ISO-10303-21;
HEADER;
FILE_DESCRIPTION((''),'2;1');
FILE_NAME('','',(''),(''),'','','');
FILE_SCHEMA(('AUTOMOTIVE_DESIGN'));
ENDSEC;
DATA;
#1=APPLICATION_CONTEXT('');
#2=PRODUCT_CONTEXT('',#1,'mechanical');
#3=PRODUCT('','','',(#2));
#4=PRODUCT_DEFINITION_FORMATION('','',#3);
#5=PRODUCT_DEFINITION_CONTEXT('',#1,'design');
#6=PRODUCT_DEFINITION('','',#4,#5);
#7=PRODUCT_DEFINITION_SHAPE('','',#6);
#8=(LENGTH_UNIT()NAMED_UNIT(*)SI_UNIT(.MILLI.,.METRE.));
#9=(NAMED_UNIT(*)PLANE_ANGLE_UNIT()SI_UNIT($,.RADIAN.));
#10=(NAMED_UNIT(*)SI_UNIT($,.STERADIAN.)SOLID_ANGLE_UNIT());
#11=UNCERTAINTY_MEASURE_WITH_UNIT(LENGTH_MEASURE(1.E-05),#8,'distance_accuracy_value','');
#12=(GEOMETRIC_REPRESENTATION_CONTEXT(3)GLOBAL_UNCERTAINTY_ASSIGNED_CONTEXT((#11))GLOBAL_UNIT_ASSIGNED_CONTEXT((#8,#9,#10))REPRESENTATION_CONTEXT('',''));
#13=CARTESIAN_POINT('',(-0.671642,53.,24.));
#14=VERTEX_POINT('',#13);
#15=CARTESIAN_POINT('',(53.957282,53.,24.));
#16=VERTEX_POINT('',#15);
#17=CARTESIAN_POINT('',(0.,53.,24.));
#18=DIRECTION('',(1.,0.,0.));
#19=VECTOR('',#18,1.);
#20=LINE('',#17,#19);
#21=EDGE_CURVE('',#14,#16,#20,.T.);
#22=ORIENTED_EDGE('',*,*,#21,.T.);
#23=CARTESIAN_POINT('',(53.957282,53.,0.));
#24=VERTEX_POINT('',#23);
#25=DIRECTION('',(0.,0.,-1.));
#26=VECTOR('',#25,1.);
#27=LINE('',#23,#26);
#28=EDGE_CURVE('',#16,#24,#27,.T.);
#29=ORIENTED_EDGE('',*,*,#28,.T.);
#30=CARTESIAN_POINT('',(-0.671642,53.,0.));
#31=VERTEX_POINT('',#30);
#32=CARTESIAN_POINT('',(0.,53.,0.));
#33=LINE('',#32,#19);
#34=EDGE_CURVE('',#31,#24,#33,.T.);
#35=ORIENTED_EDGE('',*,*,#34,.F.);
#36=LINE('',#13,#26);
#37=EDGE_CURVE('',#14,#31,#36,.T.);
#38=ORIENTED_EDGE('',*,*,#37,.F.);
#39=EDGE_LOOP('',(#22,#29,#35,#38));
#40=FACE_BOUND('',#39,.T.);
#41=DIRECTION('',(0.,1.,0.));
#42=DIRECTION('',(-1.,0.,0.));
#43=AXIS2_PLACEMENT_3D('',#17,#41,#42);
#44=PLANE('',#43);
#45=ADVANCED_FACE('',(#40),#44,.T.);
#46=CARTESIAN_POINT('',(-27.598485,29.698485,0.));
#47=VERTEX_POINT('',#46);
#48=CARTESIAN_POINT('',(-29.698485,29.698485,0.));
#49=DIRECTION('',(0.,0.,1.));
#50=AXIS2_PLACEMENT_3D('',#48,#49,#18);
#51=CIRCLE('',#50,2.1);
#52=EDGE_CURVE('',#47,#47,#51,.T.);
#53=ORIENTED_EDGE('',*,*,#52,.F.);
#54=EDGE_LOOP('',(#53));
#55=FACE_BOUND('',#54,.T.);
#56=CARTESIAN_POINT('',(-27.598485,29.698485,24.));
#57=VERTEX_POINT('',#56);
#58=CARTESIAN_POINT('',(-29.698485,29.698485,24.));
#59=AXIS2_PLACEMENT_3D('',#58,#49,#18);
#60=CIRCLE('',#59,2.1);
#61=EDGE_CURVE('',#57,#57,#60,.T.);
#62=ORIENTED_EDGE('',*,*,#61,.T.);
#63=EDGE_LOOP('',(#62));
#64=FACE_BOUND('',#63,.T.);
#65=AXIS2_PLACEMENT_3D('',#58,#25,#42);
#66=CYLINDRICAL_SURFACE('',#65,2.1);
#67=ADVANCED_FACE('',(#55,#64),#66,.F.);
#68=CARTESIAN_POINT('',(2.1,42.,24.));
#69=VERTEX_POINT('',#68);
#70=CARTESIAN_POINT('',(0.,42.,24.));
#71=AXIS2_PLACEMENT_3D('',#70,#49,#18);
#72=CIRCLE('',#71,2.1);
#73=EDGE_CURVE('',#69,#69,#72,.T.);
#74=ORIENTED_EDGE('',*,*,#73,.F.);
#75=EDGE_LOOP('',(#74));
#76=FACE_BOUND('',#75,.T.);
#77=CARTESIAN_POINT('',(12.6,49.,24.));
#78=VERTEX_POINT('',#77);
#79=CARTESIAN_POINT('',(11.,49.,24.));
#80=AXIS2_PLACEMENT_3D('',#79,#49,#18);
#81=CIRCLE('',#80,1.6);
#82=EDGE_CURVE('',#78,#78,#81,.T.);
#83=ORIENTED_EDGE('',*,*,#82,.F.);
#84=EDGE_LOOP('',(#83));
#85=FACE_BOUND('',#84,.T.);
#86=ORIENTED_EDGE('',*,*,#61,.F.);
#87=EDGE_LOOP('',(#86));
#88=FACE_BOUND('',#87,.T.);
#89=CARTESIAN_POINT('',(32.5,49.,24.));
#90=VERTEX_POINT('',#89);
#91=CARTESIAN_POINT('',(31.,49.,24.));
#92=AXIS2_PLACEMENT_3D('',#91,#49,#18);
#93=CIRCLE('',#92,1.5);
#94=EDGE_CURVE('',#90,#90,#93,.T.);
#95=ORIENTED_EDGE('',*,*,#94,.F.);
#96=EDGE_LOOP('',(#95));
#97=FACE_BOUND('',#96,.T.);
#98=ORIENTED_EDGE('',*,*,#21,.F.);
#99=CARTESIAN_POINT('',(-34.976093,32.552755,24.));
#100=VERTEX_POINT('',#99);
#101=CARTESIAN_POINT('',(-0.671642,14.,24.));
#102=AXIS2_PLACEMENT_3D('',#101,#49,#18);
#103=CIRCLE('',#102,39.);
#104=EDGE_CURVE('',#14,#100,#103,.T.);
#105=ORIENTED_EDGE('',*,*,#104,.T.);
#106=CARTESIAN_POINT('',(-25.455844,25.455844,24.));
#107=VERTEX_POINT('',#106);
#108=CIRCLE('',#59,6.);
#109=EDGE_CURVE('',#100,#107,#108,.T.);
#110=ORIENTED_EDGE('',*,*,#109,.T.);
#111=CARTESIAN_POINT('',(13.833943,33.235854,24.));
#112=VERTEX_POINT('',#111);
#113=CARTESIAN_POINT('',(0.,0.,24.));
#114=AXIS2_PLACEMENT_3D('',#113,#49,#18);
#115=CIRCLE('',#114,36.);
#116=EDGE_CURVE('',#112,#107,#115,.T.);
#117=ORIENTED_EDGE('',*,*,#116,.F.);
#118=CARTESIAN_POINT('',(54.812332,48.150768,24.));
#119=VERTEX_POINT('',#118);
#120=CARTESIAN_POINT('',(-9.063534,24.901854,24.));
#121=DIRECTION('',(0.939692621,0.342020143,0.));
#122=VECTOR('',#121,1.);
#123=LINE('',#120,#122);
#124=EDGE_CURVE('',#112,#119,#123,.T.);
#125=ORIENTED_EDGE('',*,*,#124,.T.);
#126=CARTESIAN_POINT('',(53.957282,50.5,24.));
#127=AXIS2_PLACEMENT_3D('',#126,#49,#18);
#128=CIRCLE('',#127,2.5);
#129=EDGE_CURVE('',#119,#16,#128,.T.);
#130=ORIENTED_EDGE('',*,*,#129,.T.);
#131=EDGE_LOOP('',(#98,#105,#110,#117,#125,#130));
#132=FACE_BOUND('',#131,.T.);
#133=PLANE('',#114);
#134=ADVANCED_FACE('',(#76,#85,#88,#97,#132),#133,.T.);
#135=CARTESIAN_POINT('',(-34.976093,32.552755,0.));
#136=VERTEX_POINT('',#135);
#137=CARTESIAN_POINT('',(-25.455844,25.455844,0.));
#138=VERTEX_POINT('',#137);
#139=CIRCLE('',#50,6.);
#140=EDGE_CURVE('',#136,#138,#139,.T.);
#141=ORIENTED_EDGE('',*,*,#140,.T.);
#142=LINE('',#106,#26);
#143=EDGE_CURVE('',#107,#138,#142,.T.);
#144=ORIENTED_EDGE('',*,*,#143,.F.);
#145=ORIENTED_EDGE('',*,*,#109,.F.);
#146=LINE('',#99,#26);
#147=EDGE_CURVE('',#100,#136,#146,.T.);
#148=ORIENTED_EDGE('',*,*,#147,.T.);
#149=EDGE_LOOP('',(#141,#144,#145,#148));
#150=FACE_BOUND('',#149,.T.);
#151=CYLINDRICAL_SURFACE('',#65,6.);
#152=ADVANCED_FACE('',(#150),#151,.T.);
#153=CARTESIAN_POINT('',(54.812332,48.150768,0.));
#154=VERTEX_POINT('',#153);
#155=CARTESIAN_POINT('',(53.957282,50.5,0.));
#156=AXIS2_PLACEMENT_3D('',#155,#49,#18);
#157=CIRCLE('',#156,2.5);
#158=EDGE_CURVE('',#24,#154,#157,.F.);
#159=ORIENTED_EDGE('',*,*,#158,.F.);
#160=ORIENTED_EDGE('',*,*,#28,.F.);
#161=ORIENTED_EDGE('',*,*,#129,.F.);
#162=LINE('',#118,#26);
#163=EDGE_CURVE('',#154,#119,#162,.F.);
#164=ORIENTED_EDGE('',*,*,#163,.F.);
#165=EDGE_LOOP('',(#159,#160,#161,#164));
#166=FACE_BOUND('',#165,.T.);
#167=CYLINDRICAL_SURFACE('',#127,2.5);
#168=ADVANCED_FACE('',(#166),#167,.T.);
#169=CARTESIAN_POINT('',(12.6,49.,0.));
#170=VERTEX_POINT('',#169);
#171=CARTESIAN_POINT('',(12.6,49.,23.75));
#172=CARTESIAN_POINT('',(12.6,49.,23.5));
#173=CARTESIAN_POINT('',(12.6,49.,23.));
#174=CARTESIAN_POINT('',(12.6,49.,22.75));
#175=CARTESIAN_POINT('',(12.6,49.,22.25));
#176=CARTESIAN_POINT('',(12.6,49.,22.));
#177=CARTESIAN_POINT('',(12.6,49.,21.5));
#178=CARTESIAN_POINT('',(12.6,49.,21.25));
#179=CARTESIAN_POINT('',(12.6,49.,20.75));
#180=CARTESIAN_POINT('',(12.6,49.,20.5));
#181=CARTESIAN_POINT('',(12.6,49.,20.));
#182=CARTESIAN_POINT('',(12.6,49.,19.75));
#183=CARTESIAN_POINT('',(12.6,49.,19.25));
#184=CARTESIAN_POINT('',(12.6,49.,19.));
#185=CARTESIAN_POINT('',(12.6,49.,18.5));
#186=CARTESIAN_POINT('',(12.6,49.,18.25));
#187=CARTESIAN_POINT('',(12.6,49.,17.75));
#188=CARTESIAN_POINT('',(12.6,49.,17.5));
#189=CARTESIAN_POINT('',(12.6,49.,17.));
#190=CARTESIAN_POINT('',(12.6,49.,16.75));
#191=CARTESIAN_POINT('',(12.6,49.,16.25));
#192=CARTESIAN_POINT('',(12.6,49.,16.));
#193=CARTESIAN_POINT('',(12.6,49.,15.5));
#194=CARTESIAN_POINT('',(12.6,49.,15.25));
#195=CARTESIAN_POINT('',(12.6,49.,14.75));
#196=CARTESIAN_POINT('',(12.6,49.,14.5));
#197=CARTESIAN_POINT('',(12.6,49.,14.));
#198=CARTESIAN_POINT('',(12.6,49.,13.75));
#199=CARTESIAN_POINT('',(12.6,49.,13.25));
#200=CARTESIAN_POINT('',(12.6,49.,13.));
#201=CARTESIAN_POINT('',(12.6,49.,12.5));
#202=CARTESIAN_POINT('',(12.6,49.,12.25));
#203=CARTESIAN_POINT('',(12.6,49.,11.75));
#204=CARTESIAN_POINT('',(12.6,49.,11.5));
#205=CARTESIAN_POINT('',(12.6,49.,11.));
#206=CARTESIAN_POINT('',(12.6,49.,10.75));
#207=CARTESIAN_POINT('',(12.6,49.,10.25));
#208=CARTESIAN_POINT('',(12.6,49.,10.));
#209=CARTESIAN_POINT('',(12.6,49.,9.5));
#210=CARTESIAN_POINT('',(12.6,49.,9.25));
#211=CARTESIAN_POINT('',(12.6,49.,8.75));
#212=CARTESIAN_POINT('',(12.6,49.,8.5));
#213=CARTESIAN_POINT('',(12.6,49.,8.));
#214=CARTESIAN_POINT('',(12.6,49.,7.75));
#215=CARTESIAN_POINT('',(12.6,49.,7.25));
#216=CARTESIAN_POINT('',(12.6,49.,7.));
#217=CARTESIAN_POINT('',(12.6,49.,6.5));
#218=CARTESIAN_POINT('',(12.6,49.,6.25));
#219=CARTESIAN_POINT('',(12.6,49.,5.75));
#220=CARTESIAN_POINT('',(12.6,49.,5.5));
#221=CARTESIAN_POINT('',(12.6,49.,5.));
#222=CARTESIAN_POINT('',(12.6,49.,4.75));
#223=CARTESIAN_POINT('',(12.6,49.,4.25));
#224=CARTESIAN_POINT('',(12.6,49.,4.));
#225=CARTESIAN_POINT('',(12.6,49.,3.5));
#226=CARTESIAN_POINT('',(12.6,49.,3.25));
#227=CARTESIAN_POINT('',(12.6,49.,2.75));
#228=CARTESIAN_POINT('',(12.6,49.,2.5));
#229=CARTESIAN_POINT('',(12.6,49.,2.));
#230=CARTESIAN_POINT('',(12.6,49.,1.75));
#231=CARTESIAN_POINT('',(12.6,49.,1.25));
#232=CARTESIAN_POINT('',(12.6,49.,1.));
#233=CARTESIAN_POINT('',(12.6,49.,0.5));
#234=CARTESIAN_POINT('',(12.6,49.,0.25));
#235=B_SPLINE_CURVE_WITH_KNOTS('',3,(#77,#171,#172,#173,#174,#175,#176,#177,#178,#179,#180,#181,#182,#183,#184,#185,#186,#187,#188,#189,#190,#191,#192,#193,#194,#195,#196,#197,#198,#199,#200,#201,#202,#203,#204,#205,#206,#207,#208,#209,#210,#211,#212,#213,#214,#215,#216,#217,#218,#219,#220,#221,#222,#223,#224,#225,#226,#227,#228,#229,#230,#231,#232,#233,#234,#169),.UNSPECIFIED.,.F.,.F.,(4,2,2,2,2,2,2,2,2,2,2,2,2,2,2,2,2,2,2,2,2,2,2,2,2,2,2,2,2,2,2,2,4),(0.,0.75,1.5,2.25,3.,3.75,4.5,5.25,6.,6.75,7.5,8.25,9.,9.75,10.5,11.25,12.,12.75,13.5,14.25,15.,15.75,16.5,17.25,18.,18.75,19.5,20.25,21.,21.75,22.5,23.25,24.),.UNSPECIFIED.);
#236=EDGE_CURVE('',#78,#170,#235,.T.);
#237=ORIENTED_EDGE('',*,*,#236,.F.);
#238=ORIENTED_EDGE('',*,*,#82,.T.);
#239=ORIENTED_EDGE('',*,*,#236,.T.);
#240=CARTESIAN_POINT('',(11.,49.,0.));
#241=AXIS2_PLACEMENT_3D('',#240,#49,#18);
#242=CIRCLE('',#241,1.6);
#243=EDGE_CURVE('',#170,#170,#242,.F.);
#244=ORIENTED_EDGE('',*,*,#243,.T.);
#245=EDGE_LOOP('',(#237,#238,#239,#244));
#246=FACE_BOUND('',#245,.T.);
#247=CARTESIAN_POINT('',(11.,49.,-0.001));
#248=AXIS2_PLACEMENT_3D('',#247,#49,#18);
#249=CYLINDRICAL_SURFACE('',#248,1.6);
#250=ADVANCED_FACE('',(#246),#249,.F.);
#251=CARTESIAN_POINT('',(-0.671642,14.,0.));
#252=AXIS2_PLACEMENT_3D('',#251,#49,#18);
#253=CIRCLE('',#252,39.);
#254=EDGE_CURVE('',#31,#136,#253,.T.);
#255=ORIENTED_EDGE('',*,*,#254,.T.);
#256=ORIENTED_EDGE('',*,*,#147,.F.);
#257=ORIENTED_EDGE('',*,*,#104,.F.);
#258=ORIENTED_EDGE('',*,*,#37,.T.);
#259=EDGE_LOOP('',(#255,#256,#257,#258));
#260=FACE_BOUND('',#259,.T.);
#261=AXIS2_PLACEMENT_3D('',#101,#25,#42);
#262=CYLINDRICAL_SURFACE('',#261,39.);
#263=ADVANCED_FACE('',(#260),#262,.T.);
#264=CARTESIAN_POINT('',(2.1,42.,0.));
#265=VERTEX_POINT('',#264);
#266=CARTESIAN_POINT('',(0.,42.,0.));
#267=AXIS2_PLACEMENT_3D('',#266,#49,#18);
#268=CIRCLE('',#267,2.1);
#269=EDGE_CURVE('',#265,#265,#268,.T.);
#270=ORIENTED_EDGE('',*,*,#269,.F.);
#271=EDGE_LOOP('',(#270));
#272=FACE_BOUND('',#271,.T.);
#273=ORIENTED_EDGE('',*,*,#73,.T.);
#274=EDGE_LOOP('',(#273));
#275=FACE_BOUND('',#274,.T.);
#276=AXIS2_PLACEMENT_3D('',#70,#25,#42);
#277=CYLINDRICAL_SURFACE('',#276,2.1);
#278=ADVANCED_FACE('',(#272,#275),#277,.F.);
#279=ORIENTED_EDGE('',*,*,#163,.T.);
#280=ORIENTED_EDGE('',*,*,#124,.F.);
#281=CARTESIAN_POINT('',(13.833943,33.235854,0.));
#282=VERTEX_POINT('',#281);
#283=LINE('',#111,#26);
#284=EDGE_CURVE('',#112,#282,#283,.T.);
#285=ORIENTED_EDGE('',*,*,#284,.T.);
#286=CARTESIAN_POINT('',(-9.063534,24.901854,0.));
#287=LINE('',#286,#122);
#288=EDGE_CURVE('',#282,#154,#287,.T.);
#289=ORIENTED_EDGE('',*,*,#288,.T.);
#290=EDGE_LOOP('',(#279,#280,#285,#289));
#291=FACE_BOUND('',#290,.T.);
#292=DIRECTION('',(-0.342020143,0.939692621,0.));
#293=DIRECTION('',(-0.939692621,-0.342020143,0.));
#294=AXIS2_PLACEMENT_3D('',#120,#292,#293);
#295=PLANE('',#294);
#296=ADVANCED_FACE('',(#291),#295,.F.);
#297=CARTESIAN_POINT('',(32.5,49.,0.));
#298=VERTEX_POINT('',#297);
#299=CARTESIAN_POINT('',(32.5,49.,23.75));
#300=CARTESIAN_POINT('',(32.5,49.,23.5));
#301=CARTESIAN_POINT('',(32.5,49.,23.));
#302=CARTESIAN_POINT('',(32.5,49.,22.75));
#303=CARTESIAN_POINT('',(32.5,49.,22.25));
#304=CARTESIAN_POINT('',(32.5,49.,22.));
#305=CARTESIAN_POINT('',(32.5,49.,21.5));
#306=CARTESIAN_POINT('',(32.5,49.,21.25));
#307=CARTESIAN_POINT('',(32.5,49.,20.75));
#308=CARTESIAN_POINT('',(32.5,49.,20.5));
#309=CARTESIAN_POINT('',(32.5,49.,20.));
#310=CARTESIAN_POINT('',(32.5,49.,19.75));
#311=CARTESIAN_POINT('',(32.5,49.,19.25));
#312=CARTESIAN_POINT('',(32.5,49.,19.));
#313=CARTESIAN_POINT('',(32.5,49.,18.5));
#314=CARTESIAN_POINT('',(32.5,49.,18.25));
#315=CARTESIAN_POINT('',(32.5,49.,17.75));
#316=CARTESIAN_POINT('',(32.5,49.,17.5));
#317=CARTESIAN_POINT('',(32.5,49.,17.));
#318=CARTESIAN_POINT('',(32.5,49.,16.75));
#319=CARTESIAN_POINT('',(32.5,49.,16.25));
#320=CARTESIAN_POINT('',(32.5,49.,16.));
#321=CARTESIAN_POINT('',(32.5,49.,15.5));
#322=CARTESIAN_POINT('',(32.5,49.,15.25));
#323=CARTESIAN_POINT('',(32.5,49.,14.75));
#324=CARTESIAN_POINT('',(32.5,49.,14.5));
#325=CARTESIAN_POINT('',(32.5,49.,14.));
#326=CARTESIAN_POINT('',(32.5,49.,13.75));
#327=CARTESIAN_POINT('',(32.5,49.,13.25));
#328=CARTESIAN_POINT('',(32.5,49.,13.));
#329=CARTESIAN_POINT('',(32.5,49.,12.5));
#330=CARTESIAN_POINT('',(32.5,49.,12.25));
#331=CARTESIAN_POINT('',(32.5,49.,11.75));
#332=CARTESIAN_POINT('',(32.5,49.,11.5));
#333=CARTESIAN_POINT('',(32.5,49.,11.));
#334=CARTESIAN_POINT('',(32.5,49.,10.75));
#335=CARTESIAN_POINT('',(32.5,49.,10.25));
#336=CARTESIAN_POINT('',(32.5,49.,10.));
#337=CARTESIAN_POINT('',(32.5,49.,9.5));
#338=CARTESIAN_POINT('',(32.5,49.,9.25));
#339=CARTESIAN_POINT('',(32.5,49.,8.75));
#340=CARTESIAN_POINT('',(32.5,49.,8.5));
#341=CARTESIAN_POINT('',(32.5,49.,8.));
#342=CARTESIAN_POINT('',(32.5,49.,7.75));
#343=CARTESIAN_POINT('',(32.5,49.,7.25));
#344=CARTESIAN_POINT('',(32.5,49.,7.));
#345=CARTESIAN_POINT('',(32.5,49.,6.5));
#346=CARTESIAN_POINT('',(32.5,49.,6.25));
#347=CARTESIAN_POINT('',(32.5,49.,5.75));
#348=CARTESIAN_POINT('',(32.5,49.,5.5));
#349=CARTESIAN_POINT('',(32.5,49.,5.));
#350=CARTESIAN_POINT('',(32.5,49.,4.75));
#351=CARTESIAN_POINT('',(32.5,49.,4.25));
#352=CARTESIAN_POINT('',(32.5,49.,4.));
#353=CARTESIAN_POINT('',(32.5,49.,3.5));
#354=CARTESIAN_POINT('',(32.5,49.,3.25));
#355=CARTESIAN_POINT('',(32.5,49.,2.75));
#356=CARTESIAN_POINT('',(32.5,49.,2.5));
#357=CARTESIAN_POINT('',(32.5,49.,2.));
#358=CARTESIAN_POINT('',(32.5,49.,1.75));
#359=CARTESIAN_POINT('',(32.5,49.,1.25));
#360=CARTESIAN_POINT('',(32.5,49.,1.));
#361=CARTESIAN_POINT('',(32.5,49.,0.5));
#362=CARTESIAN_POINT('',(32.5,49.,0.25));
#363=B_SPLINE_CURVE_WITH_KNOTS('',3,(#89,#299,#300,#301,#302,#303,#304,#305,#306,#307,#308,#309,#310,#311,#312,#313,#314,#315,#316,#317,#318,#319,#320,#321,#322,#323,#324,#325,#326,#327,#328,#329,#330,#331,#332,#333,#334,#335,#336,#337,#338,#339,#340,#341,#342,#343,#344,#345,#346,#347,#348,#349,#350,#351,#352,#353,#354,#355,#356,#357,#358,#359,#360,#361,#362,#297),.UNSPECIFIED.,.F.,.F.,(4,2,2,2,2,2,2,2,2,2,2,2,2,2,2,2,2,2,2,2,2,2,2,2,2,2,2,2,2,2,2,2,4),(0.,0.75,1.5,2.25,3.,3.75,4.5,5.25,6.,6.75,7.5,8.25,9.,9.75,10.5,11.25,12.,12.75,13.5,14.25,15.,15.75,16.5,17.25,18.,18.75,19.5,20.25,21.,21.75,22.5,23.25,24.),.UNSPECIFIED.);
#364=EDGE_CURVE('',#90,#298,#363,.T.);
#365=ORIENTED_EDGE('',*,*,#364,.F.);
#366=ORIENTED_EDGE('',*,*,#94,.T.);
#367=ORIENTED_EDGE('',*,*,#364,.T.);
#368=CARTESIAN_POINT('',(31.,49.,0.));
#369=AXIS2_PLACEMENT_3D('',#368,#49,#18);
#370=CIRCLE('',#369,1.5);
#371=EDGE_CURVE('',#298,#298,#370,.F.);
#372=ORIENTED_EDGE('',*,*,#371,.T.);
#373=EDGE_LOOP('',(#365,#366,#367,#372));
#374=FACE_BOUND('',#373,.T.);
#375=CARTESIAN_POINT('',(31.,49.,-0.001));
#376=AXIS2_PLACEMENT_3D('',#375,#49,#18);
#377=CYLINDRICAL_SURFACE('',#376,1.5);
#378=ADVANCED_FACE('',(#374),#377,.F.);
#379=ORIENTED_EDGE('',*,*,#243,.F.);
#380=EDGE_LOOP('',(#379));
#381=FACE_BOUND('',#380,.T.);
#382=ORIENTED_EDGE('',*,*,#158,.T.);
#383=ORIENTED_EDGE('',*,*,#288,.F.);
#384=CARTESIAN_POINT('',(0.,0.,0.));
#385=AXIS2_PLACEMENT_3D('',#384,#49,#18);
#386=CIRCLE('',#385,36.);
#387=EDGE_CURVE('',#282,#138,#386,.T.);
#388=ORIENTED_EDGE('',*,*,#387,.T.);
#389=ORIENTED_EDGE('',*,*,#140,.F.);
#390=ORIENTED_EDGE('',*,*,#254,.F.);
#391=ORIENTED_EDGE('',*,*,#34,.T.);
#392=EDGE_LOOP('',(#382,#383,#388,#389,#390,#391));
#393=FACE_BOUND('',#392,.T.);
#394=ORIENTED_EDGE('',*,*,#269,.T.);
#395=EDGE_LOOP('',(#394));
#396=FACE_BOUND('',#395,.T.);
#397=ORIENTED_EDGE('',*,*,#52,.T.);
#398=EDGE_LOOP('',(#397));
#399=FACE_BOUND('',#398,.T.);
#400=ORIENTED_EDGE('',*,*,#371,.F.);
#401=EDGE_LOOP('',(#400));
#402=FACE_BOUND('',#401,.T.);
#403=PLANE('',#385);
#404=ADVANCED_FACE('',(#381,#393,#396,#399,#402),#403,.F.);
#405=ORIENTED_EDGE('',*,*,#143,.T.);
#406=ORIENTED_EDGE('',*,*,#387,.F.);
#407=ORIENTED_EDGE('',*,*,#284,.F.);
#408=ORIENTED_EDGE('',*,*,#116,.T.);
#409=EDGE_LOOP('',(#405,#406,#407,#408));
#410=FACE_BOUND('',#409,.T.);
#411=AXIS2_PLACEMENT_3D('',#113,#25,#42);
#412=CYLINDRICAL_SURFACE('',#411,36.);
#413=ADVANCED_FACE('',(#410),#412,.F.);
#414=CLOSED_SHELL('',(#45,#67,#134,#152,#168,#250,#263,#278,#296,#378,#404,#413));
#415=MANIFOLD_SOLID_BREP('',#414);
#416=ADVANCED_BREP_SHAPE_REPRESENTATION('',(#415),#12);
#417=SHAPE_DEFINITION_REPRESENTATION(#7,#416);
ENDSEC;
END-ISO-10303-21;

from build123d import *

# Parameters (mm, degrees)
SKETCH_1_R          = 2.1
SKETCH_1_R_2        = 6
EXTRUDE_1_DEPTH     = 24
FILLET_1_R          = 2.5
CUT_EXTRUDE_START   = -24
SKETCH_3_R          = 1.6
SKETCH_3_R_2        = 1.5
SKETCH_3_R_3        = 2.1
CUT_EXTRUDE_2_DEPTH = 24


with BuildPart() as part:
    # 草图1 → 凸台-拉伸1 (new body)
    # profile 1 of 3: a face of its own
    with BuildSketch(Plane.XY):
        with BuildLine():
            Line((68.135486627, 53), (-0.671642545, 53))
            ThreePointArc((-0.671642545, 53), (15.918389352, 49.295479077), (29.356722765, 38.885684233))
            Line((29.356722765, 38.885684233), (68.135486627, 53))
        make_face()
    # profile 2 of 3: a face of its own
    with BuildSketch(Plane.XY):
        with BuildLine():
            ThreePointArc((29.356722765, 38.885684233), (15.918389352, 49.295479077), (-0.671642545, 53))
            ThreePointArc((-0.671642545, 53), (-20.639649059, 47.500428563), (-34.976092597, 32.552754602))
            ThreePointArc((-34.976092597, 32.552754602), (-28.226351446, 35.515083761), (-23.69848481, 29.69848481))
            ThreePointArc((-23.69848481, 29.69848481), (-24.155207625, 27.402384191), (-25.45584416, 25.455844085))
            ThreePointArc((-25.45584416, 25.455844085), (-6.992802508, 35.314313148), (13.833943007, 33.235854448))
            Line((13.833943007, 33.235854448), (29.356722765, 38.885684233))
        make_face()
        with Locations((0, 42)):
            Circle(SKETCH_1_R, mode=Mode.SUBTRACT)
    # profile 3 of 3: a face of its own
    with BuildSketch(Plane.XY):
        with Locations((-29.69848481, 29.69848481)):
            Circle(SKETCH_1_R_2)
        with Locations((-29.69848481, 29.69848481)):
            Circle(SKETCH_1_R, mode=Mode.SUBTRACT)
    extrude(amount=EXTRUDE_1_DEPTH)

    # 圆角1
    fillet_1_edges = [part.edges().sort_by_distance(p)[0] for p in [
        (68.135486627, 53, 12),
    ]]
    fillet(fillet_1_edges, radius=FILLET_1_R)

    # 草图3 → 切除-拉伸2 (cut)
    with BuildSketch(Plane.XY.offset(24).offset(CUT_EXTRUDE_START)):
        with Locations((11, 49)):
            Circle(SKETCH_3_R)
        with Locations((31, 49)):
            Circle(SKETCH_3_R_2)
        with Locations((0, 42)):
            Circle(SKETCH_3_R_3)
    extrude(amount=CUT_EXTRUDE_2_DEPTH, mode=Mode.SUBTRACT)


solid = part.part
